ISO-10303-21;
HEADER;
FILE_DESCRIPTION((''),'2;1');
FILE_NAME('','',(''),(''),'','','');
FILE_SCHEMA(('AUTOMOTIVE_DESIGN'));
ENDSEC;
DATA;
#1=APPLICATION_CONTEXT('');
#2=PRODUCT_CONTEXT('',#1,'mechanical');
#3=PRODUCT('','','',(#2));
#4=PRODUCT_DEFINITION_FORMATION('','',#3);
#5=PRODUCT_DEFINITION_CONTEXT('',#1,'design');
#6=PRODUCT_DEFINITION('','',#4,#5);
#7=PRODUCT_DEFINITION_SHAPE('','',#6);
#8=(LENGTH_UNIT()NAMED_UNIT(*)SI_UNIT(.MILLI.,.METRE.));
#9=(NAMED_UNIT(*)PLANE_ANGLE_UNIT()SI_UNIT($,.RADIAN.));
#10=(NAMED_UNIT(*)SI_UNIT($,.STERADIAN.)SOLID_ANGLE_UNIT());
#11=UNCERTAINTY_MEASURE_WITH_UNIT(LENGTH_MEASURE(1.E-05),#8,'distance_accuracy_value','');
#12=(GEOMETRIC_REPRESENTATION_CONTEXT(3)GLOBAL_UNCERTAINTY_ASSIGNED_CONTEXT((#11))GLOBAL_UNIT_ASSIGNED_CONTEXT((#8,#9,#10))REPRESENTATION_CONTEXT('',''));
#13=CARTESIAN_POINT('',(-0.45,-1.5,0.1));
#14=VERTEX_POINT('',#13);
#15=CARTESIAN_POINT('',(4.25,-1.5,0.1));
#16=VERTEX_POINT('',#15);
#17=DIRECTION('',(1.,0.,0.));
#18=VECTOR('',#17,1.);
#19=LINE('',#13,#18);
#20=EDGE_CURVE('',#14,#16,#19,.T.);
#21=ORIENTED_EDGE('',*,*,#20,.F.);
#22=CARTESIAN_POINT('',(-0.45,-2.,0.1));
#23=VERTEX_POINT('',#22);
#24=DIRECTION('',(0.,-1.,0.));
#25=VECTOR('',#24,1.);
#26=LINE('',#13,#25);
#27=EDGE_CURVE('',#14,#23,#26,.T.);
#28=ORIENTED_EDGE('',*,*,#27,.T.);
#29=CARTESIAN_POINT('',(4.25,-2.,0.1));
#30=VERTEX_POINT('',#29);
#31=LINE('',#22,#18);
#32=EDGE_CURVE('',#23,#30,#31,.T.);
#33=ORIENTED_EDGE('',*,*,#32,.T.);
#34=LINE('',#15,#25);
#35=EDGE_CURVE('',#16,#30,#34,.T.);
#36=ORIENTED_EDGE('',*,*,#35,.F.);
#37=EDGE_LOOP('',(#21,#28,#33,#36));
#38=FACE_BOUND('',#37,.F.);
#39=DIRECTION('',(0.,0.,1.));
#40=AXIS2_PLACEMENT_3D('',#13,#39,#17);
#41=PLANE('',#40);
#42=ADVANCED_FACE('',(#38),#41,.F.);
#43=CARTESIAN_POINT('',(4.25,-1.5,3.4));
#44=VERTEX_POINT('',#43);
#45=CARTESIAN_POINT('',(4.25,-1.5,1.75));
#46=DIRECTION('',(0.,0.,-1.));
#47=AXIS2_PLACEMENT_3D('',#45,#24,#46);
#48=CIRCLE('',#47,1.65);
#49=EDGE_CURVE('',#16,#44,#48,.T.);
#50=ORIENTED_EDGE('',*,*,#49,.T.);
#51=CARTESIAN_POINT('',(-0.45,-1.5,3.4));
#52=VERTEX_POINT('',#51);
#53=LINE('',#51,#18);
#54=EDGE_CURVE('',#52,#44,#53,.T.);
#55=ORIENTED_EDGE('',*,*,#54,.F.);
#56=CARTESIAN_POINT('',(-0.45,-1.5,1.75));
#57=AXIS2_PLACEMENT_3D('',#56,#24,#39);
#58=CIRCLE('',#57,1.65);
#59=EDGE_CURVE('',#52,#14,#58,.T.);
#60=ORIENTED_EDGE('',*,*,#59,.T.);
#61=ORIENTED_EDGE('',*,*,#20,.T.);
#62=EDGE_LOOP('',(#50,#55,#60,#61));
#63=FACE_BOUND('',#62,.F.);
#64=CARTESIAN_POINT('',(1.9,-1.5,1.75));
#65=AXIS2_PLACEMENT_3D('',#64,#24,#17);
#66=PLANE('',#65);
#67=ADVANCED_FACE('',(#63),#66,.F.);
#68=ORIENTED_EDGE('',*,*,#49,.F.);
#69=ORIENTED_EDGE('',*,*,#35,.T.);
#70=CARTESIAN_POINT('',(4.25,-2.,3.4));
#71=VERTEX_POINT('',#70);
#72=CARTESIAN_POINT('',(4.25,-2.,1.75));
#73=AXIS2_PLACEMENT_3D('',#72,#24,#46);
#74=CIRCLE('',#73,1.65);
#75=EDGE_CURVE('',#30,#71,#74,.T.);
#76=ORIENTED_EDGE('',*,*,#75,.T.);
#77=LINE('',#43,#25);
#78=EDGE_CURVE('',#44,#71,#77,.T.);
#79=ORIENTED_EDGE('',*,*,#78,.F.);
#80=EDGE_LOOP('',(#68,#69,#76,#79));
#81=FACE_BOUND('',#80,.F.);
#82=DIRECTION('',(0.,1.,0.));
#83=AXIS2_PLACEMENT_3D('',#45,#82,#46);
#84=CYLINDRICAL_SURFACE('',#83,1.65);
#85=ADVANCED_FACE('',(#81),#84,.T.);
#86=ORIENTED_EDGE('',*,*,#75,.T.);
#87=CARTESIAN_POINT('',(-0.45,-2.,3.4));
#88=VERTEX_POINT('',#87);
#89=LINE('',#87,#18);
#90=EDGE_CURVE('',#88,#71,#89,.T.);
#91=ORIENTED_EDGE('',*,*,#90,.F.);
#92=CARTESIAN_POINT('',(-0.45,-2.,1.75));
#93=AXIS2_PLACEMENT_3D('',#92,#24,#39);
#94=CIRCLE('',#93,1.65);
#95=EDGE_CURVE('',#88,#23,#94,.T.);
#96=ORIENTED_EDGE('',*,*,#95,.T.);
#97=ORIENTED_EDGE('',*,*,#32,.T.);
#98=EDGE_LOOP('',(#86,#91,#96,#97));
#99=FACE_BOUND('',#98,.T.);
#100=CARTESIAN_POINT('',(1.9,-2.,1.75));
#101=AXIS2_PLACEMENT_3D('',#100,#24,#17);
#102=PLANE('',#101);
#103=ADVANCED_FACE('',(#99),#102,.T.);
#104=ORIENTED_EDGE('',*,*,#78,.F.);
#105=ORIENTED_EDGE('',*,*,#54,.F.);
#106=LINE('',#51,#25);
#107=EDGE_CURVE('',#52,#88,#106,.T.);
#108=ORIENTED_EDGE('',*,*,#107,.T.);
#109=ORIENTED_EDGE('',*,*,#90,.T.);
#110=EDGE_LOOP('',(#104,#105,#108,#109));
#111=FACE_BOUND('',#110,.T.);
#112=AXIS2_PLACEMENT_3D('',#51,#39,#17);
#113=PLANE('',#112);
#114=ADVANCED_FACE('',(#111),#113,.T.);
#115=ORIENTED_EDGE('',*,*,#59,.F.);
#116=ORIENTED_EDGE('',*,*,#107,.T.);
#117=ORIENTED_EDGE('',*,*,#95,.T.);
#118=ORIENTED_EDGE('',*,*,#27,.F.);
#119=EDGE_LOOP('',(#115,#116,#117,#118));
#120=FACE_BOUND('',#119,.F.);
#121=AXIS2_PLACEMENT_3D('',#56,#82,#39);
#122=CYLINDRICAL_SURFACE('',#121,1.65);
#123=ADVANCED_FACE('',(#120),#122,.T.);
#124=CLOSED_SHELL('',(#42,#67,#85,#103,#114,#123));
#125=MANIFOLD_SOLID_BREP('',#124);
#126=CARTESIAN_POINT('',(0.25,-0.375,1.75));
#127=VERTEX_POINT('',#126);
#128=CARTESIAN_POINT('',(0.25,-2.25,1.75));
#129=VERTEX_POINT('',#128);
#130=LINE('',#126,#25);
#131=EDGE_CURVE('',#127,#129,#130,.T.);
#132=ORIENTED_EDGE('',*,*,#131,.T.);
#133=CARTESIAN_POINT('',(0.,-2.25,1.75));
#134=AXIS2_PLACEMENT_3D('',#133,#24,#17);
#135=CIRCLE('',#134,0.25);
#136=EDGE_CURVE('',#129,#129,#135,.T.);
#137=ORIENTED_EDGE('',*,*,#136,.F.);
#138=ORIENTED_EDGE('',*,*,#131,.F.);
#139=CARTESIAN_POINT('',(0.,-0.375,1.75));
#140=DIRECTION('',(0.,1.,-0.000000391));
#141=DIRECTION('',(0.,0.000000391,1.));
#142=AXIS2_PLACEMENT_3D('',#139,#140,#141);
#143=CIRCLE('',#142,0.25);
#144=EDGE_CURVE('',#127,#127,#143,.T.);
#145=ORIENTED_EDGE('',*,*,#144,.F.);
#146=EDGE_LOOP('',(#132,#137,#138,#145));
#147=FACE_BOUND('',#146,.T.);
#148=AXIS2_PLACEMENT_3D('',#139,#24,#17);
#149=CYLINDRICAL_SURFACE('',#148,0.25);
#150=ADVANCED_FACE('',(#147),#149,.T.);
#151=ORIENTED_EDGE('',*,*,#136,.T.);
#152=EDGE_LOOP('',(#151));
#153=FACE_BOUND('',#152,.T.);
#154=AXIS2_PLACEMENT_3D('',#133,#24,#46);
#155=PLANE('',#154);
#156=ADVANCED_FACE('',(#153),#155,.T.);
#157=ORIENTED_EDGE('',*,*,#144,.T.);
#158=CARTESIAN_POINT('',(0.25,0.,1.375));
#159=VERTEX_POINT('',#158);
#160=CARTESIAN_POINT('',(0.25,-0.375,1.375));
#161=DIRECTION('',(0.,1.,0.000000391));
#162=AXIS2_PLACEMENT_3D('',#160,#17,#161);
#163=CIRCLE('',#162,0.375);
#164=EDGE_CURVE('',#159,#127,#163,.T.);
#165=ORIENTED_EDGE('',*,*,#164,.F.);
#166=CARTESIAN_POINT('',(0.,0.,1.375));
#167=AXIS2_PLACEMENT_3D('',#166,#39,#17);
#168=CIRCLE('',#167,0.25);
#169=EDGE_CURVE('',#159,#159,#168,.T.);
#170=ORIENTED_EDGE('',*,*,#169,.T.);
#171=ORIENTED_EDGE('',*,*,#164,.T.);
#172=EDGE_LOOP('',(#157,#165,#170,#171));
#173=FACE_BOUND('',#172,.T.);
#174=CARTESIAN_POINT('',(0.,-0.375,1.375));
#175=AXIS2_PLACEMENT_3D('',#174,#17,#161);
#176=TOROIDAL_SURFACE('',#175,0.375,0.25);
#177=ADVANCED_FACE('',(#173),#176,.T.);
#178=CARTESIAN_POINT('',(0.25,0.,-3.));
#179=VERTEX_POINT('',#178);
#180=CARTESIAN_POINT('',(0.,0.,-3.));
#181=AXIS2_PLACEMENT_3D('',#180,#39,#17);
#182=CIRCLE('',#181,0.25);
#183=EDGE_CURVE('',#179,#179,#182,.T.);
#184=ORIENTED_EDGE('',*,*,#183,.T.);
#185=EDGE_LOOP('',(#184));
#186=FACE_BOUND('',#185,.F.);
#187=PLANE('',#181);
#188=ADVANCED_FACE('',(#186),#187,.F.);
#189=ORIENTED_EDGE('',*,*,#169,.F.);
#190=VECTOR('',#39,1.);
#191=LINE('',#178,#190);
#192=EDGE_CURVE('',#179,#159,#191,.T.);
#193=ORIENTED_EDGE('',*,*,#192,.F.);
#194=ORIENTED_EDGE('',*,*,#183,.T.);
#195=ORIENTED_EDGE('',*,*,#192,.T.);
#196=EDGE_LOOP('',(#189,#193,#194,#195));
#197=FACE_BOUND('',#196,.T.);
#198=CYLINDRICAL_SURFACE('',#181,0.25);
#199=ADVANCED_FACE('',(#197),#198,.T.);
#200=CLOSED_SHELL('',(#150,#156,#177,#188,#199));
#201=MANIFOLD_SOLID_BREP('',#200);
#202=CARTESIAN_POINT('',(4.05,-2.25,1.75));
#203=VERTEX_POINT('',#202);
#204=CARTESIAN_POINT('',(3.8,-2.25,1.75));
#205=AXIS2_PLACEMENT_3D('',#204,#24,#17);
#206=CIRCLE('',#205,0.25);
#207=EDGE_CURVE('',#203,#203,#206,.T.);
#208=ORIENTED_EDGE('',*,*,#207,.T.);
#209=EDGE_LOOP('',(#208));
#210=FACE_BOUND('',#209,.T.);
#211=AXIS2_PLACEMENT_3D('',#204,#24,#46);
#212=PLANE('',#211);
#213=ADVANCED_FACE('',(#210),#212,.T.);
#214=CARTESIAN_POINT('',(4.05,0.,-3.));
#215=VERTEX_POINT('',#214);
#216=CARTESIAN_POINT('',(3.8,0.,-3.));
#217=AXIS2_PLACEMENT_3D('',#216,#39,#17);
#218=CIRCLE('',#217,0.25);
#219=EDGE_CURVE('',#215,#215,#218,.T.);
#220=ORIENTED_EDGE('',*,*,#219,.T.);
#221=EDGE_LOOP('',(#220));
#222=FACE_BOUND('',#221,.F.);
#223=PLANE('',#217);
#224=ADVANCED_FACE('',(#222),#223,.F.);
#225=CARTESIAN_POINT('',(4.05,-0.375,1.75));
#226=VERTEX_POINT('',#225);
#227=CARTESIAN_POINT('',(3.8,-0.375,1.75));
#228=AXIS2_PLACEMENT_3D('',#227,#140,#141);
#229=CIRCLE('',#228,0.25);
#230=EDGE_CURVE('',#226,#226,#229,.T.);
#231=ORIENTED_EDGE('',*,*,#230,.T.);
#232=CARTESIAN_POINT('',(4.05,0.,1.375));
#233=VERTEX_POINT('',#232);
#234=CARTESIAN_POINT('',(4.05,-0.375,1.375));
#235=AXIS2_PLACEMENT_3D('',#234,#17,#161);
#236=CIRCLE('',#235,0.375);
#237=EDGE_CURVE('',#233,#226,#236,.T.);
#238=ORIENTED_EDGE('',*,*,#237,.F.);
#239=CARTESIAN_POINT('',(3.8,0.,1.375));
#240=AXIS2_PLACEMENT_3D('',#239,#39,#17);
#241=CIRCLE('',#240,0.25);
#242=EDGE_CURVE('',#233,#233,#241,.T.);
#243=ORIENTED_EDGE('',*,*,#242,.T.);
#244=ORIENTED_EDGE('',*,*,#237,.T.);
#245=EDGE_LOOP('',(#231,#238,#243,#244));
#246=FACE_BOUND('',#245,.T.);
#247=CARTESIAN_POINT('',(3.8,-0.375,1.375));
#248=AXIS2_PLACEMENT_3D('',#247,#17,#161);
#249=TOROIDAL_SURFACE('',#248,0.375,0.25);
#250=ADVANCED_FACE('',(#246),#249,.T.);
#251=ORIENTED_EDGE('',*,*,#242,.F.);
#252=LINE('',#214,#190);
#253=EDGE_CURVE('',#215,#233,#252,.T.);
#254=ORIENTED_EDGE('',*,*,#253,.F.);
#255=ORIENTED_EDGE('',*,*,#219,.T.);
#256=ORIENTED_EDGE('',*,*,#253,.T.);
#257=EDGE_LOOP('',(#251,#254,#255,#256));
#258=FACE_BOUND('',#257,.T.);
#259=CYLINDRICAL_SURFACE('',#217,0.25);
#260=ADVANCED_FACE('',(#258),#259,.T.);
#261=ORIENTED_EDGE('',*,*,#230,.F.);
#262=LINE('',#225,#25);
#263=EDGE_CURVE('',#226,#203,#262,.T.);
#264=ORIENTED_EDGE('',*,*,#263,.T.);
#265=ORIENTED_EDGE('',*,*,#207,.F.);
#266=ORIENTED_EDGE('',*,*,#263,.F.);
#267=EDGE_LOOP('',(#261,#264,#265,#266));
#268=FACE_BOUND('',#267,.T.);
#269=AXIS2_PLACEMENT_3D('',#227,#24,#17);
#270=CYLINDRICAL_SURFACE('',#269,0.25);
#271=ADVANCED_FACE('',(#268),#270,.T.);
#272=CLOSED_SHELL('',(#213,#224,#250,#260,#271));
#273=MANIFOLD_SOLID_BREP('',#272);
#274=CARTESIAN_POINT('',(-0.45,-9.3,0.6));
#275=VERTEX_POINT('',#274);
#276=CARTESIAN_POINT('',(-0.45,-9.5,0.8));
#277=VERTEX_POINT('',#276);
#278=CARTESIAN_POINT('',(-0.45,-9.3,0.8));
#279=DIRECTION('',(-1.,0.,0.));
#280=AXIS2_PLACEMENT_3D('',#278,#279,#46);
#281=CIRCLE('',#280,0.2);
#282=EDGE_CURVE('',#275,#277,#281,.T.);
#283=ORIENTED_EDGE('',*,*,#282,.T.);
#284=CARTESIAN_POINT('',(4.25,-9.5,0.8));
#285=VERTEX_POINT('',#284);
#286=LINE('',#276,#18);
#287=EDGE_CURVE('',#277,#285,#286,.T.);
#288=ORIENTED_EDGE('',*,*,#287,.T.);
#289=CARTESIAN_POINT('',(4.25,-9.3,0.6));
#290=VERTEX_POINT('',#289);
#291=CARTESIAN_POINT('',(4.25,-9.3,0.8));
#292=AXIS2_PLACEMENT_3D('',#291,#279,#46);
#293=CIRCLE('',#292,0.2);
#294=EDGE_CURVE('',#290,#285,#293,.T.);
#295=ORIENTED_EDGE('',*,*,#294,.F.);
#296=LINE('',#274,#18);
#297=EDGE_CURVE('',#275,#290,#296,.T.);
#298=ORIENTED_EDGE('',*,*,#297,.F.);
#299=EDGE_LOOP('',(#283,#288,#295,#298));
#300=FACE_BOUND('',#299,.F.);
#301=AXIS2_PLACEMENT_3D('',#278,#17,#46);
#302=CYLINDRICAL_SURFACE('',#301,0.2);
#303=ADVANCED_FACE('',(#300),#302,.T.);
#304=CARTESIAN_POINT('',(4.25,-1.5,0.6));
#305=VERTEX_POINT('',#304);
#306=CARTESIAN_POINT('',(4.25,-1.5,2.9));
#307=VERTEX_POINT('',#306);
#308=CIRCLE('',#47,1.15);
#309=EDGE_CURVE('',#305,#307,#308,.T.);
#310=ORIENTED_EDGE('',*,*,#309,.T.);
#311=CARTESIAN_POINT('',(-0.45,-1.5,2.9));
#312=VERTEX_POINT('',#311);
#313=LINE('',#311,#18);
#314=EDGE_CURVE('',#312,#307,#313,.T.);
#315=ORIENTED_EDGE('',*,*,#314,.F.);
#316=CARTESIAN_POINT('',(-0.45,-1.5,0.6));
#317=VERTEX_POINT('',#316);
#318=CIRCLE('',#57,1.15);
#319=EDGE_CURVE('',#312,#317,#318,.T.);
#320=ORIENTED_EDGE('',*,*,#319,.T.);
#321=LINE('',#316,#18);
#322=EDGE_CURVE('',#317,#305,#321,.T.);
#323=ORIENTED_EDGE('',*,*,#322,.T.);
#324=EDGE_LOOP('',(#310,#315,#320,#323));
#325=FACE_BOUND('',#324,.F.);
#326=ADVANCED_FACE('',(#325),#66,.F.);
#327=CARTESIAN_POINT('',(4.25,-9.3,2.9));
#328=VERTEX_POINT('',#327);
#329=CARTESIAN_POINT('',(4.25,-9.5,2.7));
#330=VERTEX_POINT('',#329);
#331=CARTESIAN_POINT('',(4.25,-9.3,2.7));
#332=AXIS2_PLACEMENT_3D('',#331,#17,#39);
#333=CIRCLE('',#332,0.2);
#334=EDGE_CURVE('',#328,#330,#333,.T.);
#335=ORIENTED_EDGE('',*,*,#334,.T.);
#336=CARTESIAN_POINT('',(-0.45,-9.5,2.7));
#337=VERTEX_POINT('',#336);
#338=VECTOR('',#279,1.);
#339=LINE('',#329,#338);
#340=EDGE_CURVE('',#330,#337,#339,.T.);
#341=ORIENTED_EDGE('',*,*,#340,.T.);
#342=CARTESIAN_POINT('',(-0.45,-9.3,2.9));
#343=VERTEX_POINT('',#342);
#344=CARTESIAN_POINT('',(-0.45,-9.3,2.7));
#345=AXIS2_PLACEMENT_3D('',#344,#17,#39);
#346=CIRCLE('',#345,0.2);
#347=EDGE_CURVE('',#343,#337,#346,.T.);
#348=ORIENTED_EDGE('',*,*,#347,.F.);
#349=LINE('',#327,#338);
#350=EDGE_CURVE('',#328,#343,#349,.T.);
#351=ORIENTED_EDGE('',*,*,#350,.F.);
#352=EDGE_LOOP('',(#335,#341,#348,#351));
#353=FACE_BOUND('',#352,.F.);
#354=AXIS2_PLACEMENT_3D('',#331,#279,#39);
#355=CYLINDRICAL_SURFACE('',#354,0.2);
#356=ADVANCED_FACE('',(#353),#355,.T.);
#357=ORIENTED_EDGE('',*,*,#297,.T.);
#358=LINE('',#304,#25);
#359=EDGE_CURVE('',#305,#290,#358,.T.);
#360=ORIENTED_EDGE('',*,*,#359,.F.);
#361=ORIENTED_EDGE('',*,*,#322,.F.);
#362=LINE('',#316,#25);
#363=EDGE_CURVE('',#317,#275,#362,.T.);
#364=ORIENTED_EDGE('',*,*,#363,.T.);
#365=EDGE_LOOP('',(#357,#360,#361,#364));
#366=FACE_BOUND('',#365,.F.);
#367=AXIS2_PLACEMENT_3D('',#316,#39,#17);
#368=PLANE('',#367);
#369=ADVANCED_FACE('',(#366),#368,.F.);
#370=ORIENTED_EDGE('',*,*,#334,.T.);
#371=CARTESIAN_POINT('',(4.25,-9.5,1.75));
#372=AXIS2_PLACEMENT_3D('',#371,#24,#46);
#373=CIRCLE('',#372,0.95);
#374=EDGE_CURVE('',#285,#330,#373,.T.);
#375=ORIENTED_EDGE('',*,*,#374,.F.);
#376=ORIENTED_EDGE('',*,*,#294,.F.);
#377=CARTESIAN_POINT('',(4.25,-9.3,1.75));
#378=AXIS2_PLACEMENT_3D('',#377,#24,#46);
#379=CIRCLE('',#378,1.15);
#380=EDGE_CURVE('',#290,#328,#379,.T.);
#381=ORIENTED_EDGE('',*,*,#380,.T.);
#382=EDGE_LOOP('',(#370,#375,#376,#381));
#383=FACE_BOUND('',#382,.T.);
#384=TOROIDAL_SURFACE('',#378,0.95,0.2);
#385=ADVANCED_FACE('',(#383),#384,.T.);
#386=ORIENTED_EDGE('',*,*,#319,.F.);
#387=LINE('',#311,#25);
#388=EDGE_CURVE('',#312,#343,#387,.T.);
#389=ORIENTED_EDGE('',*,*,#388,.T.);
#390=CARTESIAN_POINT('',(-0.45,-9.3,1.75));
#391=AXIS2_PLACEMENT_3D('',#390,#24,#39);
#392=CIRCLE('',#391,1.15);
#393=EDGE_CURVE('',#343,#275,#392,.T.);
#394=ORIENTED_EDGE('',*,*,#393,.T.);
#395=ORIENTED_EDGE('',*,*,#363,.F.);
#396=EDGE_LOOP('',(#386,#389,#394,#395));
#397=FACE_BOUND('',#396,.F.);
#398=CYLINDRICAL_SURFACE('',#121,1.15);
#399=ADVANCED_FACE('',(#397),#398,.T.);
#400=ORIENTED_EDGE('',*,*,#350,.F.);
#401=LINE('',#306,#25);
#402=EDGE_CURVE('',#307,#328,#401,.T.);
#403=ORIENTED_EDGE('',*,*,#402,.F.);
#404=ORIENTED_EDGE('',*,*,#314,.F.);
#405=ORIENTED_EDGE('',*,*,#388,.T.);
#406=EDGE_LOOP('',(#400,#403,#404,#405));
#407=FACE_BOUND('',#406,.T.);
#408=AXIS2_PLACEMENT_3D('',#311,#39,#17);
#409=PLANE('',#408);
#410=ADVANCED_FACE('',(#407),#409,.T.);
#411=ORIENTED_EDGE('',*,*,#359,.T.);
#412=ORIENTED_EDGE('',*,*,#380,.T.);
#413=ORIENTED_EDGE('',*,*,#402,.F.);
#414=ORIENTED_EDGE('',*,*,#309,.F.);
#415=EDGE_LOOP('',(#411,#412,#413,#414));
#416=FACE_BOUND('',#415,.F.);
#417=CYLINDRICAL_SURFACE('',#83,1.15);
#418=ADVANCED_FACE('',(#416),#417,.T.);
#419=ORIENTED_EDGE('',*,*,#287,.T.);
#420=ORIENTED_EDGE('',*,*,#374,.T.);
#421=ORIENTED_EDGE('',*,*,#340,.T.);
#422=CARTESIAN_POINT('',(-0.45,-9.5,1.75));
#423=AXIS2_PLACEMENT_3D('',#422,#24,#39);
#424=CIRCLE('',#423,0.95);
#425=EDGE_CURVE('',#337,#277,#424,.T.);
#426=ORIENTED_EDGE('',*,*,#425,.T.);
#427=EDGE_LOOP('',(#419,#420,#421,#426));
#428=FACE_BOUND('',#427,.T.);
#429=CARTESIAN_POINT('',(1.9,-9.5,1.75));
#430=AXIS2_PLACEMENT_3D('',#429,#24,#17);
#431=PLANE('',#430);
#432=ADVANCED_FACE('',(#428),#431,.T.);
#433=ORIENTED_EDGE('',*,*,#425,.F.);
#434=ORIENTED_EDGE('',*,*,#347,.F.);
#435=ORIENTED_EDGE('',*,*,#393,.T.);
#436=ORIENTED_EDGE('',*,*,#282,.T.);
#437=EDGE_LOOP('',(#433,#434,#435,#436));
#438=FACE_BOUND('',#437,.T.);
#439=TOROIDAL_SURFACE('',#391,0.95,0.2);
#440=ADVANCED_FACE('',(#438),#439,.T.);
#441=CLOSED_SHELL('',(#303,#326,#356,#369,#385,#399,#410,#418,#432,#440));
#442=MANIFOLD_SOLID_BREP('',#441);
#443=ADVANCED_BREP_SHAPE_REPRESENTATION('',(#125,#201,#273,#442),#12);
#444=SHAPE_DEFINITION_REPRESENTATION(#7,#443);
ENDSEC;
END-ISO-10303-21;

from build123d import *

# Parameters (mm, degrees)
PAD_DEPTH    = 0.5
PAD001_DEPTH = 8
FILLET_R     = 0.2
SKETCH_R     = 0.25
SKETCH002_R  = 0.25


with BuildPart() as pad:
    # Sketch004 → Pad (new body)
    with BuildSketch(Plane.XZ.offset(1.5)):
        with BuildLine():
            ThreePointArc((-0.45, 3.4), (-2.1, 1.75), (-0.45, 0.1))
            Line((-0.45, 0.1), (4.25, 0.1))
            ThreePointArc((4.25, 0.1), (5.9, 1.75), (4.25, 3.4))
            Line((-0.45, 3.4), (4.25, 3.4))
        make_face()
    extrude(amount=PAD_DEPTH)


with BuildPart() as fillet_body:
    # Sketch005 → Pad001 (new body)
    with BuildSketch(Plane.XZ.offset(1.5)):
        with BuildLine():
            ThreePointArc((-0.45, 2.9), (-1.6, 1.75), (-0.45, 0.6))
            Line((-0.45, 0.6), (4.25, 0.6))
            ThreePointArc((4.25, 0.6), (5.4, 1.75), (4.25, 2.9))
            Line((-0.45, 2.9), (4.25, 2.9))
        make_face()
    extrude(amount=PAD001_DEPTH)

    # Fillet
    fillet_edges = [fillet_body.edges().sort_by_distance(p)[0] for p in [
        (1.9, -9.5, 0.6),
        (-1.6, -9.5, 1.75),
        (1.9, -9.5, 2.9),
        (5.4, -9.5, 1.75),
    ]]
    fillet(fillet_edges, radius=FILLET_R)


with BuildPart() as sweep_body:
    # Sweep: sweep along a path in Sketch001
    with BuildLine(Plane.YZ) as sweep_path:
        Line((0, -3), (0, 1.375))
        ThreePointArc((0, 1.375), (-0.109835, 1.640165), (-0.375, 1.75))
        Line((-0.375, 1.75), (-2.25, 1.75))
    # Sketch → Sweep (sweep)
    with BuildSketch(Plane.XY.offset(0.1)):
        Circle(SKETCH_R)
    sweep(path=sweep_path.line)


with BuildPart() as sweep001:
    # Sweep001: sweep along a path in Sketch001
    with BuildLine(Plane.YZ) as sweep001_path:
        Line((0, -3), (0, 1.375))
        ThreePointArc((0, 1.375), (-0.109835, 1.640165), (-0.375, 1.75))
        Line((-0.375, 1.75), (-2.25, 1.75))
    # Sketch002 → Sweep001 (sweep)
    with BuildSketch(Plane.XY.offset(0.1)):
        with Locations((3.8, 0)):
            Circle(SKETCH002_R)
    sweep(path=sweep001_path.line)


solid = Compound([pad.part, fillet_body.part, sweep_body.part, sweep001.part])
